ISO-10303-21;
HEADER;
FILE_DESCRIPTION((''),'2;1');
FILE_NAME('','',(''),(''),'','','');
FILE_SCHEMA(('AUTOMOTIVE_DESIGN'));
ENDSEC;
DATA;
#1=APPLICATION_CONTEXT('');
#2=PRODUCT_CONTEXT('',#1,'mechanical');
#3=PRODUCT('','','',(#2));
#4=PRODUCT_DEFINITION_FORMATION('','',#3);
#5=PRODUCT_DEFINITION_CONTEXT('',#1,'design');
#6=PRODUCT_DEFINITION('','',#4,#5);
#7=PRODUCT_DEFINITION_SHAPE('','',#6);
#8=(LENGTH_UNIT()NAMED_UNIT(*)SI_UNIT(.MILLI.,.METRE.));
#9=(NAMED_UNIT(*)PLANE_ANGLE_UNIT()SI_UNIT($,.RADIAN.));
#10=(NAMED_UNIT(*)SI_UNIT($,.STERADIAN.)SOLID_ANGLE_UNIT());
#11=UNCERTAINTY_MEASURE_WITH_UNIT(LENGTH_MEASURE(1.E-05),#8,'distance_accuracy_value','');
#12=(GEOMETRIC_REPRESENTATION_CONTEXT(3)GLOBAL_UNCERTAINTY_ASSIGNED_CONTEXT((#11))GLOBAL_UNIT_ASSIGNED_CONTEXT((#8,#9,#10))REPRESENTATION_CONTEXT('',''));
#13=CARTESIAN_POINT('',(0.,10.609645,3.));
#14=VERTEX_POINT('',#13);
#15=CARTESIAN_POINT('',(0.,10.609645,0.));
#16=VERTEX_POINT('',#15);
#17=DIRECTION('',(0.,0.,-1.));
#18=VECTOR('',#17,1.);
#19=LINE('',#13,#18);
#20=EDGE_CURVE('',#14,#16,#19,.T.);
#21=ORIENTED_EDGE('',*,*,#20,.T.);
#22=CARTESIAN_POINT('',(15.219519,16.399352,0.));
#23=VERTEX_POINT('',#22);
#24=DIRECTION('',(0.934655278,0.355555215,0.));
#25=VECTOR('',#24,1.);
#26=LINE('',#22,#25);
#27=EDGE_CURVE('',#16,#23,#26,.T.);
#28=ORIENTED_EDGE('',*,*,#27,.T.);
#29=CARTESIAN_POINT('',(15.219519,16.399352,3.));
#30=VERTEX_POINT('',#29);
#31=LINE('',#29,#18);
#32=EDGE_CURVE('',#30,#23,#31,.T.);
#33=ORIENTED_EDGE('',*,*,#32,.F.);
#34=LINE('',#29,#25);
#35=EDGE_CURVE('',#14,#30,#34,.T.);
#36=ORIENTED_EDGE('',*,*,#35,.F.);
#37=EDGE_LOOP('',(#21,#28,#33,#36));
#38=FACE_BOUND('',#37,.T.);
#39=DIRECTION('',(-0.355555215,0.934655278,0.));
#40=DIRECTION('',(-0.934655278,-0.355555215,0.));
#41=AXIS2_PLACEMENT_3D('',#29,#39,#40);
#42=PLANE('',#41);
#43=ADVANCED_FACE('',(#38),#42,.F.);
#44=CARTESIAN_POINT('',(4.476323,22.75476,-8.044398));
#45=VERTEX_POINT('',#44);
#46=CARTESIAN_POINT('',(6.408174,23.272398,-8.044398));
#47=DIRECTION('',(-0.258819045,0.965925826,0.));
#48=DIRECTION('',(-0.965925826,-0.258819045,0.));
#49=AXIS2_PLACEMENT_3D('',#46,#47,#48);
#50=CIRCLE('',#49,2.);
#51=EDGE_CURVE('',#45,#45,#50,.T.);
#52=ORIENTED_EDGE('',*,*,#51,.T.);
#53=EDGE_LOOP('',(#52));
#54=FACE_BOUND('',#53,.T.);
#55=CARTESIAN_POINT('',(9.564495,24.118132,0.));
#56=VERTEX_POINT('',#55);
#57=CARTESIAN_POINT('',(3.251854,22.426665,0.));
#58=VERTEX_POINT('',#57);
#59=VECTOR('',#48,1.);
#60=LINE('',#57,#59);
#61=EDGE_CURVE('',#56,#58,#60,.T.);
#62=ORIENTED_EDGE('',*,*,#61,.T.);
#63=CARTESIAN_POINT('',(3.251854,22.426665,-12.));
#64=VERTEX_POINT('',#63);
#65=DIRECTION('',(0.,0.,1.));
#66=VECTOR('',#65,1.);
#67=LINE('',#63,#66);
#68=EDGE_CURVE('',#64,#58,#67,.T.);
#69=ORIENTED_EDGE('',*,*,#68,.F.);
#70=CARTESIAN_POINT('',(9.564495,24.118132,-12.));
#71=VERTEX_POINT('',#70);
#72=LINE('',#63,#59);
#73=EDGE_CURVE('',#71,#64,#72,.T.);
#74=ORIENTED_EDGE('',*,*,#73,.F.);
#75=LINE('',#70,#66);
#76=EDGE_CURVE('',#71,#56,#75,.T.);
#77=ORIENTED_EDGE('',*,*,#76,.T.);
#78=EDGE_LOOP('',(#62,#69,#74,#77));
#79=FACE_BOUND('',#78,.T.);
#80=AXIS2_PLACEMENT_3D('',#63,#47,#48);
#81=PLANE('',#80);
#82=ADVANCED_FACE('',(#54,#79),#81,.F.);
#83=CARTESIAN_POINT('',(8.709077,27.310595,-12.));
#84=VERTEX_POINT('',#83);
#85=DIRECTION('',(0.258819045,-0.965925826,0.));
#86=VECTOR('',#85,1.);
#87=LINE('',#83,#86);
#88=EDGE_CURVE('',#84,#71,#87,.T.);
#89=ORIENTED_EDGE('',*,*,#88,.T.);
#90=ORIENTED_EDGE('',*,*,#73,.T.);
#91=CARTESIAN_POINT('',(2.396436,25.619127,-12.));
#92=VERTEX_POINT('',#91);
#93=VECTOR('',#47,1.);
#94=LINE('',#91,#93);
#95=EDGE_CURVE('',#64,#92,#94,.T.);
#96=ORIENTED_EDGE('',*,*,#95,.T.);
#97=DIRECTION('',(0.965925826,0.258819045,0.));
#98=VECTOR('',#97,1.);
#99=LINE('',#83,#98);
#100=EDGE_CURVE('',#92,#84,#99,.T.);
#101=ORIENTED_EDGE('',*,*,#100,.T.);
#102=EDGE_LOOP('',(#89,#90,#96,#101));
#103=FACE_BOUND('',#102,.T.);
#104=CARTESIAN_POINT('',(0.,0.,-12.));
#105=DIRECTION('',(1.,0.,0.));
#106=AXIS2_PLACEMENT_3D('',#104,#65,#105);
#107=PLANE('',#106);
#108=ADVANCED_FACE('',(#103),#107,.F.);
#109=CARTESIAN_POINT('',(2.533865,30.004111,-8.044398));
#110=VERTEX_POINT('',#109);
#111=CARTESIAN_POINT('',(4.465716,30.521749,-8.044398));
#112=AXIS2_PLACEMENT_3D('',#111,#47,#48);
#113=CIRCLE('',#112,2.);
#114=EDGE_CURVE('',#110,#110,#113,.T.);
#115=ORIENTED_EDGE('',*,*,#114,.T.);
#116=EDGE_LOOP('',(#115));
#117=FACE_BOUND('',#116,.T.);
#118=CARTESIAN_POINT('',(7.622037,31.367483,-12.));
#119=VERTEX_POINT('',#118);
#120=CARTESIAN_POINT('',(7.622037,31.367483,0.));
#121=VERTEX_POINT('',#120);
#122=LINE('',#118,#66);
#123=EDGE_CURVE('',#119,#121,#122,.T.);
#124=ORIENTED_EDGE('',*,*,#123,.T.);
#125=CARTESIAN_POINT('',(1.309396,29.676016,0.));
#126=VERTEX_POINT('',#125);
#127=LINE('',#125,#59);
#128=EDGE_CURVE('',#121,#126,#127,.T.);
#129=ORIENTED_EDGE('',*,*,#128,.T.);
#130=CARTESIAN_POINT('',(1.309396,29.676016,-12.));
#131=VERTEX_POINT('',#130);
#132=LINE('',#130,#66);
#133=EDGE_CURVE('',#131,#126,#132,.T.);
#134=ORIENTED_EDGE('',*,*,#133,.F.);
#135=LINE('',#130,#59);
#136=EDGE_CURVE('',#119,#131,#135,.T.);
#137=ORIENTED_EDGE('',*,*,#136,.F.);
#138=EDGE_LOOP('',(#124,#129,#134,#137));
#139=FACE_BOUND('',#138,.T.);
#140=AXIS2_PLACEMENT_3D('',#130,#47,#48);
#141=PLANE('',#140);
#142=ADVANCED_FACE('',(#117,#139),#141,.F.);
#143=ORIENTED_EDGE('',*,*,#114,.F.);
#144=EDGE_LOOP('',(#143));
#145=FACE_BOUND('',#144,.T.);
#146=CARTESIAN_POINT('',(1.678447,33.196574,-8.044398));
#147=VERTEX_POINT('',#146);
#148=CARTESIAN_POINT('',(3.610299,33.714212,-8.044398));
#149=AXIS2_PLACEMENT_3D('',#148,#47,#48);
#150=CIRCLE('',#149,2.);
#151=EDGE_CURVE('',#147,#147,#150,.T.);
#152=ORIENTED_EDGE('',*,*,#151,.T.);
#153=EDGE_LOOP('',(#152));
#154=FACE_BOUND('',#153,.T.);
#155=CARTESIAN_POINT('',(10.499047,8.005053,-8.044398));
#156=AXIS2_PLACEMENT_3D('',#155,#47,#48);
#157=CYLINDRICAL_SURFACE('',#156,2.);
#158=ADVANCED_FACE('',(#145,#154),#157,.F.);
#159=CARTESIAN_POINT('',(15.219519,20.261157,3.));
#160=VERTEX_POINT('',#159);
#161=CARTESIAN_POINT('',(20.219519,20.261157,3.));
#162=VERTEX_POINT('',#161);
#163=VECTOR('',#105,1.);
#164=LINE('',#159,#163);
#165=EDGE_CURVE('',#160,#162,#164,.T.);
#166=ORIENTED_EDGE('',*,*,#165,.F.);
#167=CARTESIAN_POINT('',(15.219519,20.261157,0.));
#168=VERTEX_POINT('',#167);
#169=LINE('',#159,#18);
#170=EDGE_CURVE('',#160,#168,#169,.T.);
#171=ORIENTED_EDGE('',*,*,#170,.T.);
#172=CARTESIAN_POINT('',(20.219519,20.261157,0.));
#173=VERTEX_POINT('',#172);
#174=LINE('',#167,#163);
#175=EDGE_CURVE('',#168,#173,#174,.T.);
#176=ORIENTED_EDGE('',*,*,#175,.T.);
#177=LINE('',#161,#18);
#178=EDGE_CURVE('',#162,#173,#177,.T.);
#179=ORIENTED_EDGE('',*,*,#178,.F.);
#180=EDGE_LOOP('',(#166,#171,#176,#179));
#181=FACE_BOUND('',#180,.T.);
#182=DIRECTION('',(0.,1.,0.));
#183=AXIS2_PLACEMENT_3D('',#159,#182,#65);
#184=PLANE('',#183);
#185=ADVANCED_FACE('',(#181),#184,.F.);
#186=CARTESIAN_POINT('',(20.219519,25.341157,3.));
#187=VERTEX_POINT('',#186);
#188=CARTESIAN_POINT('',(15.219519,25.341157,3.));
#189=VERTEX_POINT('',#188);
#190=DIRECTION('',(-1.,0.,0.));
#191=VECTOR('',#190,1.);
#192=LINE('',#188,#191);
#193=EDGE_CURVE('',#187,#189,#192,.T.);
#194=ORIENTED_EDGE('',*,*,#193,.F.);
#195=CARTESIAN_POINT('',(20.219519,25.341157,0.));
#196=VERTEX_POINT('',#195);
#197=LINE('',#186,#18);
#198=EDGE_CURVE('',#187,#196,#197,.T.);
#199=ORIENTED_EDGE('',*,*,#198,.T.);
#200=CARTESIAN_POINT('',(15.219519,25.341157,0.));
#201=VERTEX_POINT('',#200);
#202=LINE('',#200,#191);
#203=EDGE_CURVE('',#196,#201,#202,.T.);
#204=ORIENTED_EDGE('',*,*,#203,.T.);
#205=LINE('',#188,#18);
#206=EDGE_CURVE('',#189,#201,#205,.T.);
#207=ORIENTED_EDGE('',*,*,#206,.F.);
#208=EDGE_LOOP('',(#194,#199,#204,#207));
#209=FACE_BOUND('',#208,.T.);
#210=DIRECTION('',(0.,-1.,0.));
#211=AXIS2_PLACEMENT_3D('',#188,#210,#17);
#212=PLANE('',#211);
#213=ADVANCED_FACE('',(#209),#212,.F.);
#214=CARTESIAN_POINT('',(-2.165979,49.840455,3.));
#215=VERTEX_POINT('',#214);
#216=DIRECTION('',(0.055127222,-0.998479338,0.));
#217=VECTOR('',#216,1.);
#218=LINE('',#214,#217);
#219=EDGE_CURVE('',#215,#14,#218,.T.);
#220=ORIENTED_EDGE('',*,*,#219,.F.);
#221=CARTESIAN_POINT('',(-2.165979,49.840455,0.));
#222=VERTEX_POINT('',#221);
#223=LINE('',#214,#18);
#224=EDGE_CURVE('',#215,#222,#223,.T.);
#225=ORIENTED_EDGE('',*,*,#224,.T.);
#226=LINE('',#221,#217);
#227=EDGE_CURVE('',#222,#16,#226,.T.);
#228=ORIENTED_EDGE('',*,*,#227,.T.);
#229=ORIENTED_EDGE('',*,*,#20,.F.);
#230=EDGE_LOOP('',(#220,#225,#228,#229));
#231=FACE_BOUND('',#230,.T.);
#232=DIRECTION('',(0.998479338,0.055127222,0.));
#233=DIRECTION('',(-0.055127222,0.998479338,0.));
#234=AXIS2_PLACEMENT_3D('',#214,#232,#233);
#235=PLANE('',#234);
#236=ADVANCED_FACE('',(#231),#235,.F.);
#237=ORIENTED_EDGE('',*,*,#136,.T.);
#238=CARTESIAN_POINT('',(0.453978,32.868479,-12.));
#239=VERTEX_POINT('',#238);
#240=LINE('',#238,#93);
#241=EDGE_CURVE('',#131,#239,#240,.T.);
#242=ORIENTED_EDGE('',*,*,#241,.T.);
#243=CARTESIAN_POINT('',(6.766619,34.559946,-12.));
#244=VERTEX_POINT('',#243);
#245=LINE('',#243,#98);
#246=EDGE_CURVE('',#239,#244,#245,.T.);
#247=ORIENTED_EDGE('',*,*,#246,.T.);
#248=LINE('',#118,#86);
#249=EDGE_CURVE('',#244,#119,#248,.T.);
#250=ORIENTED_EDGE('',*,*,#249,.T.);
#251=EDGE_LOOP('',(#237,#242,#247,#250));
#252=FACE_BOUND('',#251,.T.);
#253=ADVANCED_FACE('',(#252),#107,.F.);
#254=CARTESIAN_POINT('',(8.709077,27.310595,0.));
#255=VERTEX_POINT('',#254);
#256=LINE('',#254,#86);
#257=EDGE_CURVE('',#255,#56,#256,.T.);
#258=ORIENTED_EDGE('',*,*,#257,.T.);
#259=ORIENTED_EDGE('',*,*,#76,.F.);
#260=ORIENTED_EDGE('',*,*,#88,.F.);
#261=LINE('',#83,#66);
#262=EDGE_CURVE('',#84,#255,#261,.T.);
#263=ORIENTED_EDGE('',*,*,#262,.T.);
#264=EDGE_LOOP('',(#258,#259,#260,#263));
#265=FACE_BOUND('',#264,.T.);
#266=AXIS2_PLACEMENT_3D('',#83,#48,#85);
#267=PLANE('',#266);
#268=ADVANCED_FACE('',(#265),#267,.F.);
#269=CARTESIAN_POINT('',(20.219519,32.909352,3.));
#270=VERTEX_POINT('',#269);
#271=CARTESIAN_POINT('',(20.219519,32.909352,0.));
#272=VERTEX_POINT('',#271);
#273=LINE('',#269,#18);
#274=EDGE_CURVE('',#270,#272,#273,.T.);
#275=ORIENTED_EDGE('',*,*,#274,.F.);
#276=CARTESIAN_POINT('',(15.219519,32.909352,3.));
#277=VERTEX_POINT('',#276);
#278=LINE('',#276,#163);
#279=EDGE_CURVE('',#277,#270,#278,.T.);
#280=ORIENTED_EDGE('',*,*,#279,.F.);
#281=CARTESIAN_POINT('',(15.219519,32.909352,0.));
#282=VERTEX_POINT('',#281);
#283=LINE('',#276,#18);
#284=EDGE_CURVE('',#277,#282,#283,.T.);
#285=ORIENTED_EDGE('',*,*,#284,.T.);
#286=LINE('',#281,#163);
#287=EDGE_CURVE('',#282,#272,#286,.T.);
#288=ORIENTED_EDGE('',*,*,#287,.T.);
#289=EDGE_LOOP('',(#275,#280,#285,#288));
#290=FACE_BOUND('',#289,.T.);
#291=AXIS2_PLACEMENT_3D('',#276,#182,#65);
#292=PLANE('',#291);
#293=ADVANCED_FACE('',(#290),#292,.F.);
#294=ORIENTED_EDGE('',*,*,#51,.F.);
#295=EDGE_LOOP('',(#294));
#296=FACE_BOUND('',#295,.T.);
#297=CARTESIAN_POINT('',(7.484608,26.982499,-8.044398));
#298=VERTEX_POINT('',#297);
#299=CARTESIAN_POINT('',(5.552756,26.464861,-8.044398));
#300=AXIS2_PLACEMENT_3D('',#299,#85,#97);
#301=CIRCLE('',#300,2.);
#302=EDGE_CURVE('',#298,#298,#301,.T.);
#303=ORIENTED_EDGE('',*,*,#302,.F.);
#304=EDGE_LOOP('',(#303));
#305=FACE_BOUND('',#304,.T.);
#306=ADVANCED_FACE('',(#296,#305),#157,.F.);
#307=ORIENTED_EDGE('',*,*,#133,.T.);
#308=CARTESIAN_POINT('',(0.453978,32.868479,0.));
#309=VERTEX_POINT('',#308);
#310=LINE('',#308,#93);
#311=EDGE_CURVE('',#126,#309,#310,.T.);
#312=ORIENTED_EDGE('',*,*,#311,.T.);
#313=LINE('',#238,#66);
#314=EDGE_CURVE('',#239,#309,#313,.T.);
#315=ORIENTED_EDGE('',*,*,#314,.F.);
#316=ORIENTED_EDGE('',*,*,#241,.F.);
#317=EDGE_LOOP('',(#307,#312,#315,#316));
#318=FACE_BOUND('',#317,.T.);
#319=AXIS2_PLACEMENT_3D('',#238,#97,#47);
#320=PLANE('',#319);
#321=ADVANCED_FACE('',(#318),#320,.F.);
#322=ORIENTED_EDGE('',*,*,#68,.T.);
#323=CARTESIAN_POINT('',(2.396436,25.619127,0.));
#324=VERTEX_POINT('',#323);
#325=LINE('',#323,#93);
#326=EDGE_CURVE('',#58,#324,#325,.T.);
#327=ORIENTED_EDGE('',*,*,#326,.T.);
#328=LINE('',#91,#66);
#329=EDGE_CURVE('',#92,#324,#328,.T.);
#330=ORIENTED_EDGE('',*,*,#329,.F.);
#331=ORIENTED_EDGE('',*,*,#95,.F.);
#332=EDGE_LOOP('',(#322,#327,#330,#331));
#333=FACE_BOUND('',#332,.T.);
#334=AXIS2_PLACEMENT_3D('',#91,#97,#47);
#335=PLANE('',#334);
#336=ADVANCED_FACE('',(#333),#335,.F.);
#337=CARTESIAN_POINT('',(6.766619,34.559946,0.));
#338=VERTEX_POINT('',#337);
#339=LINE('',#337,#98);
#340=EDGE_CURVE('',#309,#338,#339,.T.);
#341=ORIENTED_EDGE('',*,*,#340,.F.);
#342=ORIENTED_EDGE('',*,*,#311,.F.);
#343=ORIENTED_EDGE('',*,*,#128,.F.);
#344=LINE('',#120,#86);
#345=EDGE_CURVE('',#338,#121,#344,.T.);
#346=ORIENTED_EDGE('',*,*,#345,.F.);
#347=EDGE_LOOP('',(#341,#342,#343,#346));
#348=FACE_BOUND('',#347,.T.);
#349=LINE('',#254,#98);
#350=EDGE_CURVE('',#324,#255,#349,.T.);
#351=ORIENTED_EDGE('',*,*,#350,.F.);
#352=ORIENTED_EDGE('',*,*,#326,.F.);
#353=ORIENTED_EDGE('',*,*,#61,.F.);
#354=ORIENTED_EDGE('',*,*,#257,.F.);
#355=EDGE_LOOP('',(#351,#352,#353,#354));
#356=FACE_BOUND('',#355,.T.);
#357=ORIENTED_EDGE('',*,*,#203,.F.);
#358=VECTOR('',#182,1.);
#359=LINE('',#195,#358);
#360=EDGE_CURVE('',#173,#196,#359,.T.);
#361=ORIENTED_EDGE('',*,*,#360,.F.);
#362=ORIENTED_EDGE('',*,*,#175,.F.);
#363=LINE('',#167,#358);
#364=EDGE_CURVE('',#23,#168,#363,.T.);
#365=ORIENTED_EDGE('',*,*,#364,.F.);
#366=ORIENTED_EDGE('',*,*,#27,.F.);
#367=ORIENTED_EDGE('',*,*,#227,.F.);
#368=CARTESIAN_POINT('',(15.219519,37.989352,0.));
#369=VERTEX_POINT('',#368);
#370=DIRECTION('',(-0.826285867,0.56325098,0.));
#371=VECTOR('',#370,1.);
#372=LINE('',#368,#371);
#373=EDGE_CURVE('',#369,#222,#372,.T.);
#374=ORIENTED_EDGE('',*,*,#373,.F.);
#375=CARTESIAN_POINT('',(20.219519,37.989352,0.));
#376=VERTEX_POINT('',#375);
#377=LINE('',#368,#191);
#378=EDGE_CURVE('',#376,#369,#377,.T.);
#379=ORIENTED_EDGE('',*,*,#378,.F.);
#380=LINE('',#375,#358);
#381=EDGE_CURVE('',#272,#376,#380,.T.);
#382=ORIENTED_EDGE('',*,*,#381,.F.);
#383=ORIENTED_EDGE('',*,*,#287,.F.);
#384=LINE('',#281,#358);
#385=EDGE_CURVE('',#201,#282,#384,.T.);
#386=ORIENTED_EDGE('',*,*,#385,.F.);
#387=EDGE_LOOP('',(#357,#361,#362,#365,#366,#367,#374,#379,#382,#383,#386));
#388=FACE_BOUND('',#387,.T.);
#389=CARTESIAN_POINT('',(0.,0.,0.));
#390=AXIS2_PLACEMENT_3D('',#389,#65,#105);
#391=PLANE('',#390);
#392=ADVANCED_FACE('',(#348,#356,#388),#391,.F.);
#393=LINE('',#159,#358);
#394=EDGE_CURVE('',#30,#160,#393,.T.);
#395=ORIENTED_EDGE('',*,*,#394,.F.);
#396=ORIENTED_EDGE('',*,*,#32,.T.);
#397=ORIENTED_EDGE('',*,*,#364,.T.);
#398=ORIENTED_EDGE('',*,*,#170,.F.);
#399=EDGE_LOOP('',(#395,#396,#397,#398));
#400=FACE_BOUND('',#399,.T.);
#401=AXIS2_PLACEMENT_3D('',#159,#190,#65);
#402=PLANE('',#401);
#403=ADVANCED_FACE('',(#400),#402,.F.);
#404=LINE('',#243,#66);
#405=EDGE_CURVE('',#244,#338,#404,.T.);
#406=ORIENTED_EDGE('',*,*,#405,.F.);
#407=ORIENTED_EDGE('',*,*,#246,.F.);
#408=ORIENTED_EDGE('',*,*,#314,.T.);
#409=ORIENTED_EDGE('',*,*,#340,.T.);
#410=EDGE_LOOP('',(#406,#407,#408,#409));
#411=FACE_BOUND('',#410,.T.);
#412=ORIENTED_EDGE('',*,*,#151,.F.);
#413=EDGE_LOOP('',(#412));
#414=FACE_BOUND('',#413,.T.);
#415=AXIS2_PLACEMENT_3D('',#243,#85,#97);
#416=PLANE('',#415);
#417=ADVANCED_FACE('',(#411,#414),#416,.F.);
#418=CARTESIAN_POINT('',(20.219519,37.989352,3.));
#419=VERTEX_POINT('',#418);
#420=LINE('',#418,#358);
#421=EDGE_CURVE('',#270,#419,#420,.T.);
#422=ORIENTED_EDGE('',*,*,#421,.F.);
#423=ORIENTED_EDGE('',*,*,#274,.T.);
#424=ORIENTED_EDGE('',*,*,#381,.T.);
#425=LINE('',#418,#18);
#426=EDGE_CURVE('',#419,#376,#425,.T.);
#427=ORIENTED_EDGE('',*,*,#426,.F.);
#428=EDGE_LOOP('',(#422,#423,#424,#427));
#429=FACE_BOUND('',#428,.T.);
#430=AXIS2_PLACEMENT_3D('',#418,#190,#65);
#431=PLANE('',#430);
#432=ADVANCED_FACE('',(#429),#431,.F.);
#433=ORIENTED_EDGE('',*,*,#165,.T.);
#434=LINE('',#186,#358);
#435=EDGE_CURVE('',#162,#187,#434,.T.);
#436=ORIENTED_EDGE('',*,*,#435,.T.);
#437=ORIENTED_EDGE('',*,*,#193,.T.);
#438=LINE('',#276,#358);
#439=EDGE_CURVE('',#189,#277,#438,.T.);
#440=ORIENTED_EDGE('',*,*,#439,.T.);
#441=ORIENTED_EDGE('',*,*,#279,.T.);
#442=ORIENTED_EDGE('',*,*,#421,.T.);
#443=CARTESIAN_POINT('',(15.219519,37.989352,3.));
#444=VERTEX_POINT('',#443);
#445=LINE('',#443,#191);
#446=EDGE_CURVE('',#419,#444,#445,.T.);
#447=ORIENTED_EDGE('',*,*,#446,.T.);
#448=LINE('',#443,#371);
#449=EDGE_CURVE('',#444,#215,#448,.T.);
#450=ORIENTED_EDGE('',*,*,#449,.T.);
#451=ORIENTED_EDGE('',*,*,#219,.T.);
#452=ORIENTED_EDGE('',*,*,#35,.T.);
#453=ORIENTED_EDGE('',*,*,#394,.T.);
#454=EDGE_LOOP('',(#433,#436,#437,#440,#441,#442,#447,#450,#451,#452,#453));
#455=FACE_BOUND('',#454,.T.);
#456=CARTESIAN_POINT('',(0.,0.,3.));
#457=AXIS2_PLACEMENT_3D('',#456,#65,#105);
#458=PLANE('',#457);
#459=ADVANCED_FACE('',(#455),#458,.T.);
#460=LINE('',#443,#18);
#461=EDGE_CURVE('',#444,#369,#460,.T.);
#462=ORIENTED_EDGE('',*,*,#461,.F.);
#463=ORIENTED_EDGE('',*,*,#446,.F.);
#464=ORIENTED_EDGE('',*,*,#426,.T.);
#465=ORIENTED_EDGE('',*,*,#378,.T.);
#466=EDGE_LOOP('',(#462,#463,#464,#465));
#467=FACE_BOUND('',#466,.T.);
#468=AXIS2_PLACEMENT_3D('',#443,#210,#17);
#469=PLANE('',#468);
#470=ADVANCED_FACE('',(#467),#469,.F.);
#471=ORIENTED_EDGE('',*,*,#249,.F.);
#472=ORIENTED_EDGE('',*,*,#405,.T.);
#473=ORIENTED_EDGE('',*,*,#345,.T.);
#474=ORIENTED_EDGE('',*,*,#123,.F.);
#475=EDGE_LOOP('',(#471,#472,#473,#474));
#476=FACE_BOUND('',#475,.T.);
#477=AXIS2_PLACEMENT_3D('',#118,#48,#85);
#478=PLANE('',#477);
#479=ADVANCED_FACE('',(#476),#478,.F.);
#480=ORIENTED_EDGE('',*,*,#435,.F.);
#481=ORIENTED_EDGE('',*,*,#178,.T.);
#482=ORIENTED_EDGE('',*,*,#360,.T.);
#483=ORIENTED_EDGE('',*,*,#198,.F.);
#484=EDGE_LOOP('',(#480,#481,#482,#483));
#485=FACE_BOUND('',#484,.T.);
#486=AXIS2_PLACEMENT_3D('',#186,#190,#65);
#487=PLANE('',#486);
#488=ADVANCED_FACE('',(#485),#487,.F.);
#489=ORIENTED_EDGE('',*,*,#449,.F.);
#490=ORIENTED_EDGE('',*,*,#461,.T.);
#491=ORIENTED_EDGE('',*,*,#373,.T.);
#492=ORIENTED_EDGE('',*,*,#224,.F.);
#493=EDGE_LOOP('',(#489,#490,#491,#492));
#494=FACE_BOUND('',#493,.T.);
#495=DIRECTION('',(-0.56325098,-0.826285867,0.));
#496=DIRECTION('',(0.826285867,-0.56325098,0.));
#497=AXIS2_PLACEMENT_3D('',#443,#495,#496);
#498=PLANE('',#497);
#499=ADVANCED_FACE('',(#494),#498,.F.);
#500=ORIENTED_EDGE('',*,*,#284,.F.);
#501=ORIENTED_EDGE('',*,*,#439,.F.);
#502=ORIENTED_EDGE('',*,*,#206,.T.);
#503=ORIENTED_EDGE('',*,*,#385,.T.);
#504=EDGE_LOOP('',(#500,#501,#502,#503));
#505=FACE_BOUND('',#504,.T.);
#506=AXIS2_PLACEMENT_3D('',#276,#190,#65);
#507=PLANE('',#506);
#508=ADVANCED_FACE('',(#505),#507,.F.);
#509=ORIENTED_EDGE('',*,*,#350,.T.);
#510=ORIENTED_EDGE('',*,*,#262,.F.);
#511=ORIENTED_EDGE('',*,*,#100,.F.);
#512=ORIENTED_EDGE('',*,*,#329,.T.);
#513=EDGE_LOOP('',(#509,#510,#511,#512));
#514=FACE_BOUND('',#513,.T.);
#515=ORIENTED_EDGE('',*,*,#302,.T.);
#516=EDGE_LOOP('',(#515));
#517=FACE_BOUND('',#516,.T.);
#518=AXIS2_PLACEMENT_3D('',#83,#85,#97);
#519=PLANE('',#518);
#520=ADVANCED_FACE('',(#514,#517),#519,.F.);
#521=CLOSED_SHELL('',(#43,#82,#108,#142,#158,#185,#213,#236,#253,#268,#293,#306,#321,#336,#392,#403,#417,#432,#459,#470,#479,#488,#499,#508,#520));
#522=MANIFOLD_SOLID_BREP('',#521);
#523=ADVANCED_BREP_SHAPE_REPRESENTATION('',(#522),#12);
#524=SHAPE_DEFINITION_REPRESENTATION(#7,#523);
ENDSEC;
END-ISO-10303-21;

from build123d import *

# Parameters (mm, degrees)
BOSS_EXTRUDE1_DEPTH = 3
BOSS_EXTRUDE2_DEPTH = 12
SKETCH8_R           = 2
CUT_EXTRUDE2_DEPTH  = 27.616080544


with BuildPart() as part:
    # Sketch1 → Boss-Extrude1 (new body)
    with BuildSketch(Plane.XY):
        Polygon((15.219519397, 37.989351506), (20.219519397, 37.989351506), (20.219519397, 32.909351506), (15.219519397, 32.909351506), (15.219519397, 25.341157087), (20.219519397, 25.341157087), (20.219519397, 20.261157087), (15.219519397, 20.261157087), (15.219519397, 16.399351506), (0, 10.609645279), (-2.165979283, 49.840454802), align=None)
    extrude(amount=BOSS_EXTRUDE1_DEPTH)

    # Sketch7 → Boss-Extrude2 (add)
    with BuildSketch(Plane(origin=(0, 0, 0), x_dir=(-1, 0, 0), z_dir=(0, 0, -1))):
        Polygon((-7.622037061, 31.367483037), (-6.766619255, 34.559945753), (-0.453977977, 32.868478621), (-1.309395784, 29.676015905), align=None)
        Polygon((-8.709077051, 27.310594567), (-2.396435773, 25.619127434), (-3.25185358, 22.426664718), (-9.564494858, 24.118131851), align=None)
    extrude(amount=BOSS_EXTRUDE2_DEPTH)

    # Sketch8 → Cut-Extrude2 (cut, through all)
    with BuildSketch(Plane(origin=(-8.186708897, 30.553213551, 0), x_dir=(0.965925826, 0.258819045, 0), z_dir=(-0.258819045, 0.965925826, 0))):
        with Locations((12.213160878, 8.044397723)):
            Circle(SKETCH8_R)
    extrude(amount=-CUT_EXTRUDE2_DEPTH, mode=Mode.SUBTRACT)


solid = part.part
